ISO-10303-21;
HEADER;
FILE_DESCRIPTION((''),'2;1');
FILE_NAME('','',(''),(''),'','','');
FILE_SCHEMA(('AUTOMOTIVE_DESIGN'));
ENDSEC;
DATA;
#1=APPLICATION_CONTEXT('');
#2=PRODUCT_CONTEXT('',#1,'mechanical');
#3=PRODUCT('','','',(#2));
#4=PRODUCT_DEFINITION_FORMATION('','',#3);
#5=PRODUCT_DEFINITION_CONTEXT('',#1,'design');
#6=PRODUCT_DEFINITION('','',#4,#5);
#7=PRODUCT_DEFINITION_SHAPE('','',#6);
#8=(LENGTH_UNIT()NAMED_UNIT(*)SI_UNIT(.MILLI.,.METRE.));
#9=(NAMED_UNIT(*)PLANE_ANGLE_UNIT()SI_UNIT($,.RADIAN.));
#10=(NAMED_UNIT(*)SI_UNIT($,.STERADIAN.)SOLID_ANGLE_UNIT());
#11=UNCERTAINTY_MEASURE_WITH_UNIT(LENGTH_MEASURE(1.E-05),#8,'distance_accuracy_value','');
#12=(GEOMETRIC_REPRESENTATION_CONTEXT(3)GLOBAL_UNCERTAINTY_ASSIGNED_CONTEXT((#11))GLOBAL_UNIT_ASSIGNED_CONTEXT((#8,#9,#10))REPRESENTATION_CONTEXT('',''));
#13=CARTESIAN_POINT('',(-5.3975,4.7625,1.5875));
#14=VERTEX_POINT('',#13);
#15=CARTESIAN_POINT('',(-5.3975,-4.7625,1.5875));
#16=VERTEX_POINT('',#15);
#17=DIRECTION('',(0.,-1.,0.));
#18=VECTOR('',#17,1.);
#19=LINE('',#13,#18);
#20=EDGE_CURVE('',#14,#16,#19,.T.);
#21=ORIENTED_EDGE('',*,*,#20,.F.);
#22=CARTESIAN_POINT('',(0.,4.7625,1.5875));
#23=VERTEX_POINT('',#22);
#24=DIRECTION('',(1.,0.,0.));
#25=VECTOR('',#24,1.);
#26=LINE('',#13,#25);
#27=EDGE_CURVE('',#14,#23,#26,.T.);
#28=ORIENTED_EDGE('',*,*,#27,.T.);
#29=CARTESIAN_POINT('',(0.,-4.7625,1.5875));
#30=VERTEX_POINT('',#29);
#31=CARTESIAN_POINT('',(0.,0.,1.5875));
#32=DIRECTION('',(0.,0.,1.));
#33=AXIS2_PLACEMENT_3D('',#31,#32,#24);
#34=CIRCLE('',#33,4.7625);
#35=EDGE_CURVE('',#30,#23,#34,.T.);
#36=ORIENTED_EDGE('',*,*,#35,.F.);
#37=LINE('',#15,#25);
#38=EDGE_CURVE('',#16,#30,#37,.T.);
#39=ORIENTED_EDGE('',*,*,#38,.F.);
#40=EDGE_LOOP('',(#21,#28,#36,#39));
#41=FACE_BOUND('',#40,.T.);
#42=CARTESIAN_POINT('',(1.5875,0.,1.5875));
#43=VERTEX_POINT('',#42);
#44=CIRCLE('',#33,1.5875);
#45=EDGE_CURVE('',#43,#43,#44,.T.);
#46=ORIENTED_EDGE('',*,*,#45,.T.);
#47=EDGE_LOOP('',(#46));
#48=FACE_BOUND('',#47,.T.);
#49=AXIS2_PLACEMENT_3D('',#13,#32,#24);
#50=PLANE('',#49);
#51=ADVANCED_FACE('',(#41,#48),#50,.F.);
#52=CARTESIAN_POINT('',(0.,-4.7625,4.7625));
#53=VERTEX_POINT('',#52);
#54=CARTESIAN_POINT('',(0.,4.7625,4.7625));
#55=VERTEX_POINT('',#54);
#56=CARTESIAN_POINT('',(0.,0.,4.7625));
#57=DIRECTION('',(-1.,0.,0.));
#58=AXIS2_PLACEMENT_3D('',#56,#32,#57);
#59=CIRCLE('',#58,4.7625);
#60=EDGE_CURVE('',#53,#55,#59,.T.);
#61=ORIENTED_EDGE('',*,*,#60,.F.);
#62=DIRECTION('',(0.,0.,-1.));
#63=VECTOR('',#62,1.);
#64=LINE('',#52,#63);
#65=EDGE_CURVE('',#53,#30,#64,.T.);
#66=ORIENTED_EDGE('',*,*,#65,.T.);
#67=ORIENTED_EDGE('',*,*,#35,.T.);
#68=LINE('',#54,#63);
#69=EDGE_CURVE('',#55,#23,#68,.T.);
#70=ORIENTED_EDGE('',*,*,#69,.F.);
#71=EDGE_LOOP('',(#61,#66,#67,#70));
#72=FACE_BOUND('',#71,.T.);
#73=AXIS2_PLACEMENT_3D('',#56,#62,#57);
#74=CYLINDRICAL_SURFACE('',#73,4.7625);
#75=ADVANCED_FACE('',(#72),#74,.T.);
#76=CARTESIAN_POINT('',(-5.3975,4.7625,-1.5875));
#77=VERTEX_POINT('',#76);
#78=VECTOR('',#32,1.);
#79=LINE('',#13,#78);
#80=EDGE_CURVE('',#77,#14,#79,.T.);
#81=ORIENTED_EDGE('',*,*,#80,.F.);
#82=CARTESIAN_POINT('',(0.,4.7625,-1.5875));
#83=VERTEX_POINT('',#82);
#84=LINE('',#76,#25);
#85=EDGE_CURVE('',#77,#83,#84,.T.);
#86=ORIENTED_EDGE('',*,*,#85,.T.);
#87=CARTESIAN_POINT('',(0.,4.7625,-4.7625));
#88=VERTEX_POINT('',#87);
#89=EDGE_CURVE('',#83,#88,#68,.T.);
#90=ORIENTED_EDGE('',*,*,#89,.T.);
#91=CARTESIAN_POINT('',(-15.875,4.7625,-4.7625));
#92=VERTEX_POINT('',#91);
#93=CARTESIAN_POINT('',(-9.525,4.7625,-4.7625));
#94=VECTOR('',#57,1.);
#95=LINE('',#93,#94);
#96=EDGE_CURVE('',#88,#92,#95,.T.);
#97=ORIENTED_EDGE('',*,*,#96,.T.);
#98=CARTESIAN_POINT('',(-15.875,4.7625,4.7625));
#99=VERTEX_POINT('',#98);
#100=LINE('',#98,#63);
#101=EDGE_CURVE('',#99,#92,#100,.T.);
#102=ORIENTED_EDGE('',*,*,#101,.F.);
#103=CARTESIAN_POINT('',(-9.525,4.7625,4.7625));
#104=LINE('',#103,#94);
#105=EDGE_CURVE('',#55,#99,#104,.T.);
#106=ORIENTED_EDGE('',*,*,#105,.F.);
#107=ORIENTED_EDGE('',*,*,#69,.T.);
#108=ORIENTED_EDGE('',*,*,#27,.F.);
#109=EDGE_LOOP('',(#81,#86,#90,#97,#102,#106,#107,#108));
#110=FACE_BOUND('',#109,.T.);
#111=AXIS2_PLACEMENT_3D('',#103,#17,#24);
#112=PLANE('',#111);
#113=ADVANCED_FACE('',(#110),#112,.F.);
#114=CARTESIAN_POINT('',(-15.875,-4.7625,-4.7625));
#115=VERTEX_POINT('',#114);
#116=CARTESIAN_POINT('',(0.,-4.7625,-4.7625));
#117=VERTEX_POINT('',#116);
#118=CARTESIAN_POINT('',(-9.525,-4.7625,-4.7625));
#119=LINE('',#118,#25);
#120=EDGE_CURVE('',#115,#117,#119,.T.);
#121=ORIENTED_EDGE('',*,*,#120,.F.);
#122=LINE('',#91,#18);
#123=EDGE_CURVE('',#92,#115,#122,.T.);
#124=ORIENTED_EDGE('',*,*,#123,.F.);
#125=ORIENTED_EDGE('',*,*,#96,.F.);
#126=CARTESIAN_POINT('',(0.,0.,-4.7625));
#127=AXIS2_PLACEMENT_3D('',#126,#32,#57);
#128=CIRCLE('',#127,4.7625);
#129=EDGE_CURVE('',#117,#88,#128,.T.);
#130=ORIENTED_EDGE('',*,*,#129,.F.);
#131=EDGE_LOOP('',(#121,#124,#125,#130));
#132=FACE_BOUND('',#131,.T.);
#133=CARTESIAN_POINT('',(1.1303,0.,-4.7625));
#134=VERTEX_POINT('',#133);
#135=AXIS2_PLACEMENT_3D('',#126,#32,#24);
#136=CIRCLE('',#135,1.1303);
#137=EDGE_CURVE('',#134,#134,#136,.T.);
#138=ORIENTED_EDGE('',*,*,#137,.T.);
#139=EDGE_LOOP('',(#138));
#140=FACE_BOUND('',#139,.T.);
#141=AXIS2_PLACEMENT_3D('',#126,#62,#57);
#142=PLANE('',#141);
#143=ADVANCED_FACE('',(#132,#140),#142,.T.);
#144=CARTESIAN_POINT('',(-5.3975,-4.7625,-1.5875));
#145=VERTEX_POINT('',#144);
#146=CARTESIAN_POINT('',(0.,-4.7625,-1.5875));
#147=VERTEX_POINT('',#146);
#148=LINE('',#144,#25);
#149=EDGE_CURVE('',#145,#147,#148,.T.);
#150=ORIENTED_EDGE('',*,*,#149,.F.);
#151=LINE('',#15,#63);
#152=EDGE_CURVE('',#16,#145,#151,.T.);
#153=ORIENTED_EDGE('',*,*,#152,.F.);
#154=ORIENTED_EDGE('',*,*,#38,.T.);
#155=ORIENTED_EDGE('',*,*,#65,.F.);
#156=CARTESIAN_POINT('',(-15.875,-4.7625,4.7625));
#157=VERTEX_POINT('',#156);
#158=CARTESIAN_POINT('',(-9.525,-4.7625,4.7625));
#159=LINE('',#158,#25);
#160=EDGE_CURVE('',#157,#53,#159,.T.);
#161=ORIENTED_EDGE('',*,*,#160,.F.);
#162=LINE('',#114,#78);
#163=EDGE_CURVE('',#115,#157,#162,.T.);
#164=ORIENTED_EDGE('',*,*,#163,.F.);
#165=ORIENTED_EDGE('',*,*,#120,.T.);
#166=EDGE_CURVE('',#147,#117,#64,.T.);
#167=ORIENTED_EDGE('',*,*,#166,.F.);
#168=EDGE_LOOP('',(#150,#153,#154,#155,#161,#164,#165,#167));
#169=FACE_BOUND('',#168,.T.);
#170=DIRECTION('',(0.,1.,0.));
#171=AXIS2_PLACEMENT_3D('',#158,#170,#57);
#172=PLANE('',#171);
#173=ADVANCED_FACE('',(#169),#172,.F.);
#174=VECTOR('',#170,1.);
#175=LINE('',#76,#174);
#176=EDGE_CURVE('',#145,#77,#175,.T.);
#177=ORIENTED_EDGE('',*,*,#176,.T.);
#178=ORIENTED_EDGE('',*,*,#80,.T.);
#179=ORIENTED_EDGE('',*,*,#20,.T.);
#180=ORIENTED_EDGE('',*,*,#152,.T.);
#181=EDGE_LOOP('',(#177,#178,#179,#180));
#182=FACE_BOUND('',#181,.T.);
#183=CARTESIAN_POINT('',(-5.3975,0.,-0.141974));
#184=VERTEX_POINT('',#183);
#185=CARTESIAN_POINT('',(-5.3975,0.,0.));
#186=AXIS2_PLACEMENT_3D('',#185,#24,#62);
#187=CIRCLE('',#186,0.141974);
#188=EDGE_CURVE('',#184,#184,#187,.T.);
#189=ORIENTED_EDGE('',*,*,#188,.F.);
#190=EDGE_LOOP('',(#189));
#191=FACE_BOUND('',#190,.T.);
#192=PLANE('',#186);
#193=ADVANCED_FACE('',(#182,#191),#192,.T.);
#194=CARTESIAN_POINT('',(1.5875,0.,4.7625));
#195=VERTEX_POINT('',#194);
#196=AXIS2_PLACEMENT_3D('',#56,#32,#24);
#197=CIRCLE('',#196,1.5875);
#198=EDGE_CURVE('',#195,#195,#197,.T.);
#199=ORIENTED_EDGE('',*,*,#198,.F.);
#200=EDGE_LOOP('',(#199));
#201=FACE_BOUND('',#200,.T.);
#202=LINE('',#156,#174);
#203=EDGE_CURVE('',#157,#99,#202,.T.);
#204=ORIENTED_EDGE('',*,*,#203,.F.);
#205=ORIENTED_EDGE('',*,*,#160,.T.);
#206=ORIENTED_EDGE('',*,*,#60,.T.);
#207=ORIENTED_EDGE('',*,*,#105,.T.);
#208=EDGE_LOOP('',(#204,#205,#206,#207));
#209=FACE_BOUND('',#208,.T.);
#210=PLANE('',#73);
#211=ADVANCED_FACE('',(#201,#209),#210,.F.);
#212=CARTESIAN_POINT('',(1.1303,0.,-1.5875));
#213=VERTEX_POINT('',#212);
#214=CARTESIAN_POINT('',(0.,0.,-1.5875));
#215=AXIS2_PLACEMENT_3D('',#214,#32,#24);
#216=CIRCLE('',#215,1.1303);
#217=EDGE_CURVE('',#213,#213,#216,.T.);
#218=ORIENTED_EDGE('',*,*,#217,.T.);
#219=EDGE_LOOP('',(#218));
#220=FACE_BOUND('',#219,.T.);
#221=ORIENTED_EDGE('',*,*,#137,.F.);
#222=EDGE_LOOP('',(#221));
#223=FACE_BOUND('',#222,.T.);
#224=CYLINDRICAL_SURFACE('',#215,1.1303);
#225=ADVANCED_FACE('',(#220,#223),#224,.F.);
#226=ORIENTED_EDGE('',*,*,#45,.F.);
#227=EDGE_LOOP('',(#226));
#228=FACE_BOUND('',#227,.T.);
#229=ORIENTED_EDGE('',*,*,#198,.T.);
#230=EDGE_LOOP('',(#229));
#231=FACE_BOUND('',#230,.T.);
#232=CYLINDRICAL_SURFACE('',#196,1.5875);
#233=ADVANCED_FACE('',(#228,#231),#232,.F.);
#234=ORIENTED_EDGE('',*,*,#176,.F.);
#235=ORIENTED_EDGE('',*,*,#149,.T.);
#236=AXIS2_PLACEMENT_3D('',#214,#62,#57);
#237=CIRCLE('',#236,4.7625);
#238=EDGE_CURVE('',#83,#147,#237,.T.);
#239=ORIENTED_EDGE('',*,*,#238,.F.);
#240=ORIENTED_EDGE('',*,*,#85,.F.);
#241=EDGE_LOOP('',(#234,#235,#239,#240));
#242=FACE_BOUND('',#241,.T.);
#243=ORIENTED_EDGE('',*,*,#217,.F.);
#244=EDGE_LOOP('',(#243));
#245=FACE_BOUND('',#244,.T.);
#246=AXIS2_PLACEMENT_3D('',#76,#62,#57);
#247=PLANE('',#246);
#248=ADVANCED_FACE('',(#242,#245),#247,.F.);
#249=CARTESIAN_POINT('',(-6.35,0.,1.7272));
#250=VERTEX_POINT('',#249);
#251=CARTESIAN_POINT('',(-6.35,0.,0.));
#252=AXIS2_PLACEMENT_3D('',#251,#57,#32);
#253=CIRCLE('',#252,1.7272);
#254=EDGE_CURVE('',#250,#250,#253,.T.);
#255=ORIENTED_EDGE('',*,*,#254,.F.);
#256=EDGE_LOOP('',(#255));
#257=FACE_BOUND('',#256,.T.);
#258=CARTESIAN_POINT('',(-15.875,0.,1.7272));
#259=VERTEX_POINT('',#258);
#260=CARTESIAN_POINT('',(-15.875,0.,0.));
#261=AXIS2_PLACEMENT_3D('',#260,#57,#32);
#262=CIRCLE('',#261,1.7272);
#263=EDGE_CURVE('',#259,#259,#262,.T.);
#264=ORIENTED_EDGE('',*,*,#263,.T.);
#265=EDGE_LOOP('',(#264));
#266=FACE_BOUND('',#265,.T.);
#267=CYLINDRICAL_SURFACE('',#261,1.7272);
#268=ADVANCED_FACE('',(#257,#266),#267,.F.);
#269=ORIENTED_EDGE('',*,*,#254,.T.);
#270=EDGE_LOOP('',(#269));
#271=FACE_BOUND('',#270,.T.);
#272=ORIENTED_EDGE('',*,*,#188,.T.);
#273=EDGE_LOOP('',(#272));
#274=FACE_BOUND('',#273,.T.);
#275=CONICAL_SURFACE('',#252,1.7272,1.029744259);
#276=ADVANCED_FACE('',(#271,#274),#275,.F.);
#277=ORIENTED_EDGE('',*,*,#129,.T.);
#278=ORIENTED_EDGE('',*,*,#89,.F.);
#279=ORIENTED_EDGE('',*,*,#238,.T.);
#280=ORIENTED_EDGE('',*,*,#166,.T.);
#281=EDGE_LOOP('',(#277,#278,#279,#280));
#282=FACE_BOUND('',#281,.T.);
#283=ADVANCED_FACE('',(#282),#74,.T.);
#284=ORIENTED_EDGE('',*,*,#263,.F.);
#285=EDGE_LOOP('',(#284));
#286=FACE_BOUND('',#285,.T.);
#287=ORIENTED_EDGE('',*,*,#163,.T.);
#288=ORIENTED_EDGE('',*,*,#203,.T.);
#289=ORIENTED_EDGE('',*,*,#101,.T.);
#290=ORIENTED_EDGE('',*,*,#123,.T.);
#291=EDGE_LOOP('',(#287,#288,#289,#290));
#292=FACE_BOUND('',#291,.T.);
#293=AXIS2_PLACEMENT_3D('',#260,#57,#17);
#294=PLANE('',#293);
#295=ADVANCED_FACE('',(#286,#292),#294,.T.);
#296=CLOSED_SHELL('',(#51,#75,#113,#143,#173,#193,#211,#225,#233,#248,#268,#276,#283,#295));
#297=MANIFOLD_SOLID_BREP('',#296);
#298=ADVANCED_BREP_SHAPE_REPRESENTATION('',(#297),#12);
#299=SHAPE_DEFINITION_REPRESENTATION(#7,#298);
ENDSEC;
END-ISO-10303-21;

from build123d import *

# Parameters (mm, degrees)
BOSS_EXTRUDE2_DEPTH              = 4.7625
SKETCH3_W                        = 3.175
SKETCH3_H                        = 9.525
CUT_EXTRUDE1_DEPTH               = 10.16
SKETCH4_W                        = 9.525
SKETCH4_H                        = 9.525
BOSS_EXTRUDE3_DEPTH              = 6.35
F_8_32_TAPPED_HOLE1_D            = 3.4544
F_8_32_TAPPED_HOLE1_DEPTH        = 9.525
F_8_32_TAPPED_HOLE1_TIP          = 1.037806461
F_1_8_0_125_DIAMETER_HOLE1_D     = 3.175
F_1_8_0_125_DIAMETER_HOLE1_DEPTH = 3.175
F_4_40_TAPPED_HOLE1_D            = 2.2606


with BuildPart() as part:
    # Sketch2 → Boss-Extrude2 (new body, symmetric)
    with BuildSketch(Plane.XY):
        with BuildLine():
            Line((-9.525, 4.7625), (0, 4.7625))
            ThreePointArc((0, 4.7625), (4.7625, 0), (0, -4.7625))
            Line((0, -4.7625), (-9.525, -4.7625))
            Line((-9.525, -4.7625), (-9.525, 4.7625))
        make_face()
    extrude(amount=BOSS_EXTRUDE2_DEPTH, both=True)

    # Sketch3 → Cut-Extrude1 (cut)
    with BuildSketch(Plane(origin=(4.7625, 0, 0), x_dir=(0, 0, -1), z_dir=(1, 0, 0))):
        Rectangle(SKETCH3_W, SKETCH3_H)
    extrude(amount=-CUT_EXTRUDE1_DEPTH, mode=Mode.SUBTRACT)

    # Sketch4 → Boss-Extrude3 (add)
    with BuildSketch(Plane.ZY.offset(9.525)):
        Rectangle(SKETCH4_W, SKETCH4_H)
    extrude(amount=BOSS_EXTRUDE3_DEPTH)

    # #8-32 Tapped Hole1
    with Locations(Plane.ZY.offset(15.875)):
        with Locations((0, 0)):
            Hole(F_8_32_TAPPED_HOLE1_D / 2, depth=F_8_32_TAPPED_HOLE1_DEPTH)
            with Locations((0, 0, -(F_8_32_TAPPED_HOLE1_DEPTH + F_8_32_TAPPED_HOLE1_TIP / 2))):  # 118° drill point
                Cone(0, F_8_32_TAPPED_HOLE1_D / 2, F_8_32_TAPPED_HOLE1_TIP, mode=Mode.SUBTRACT)

    # 1/8 (0.125) Diameter Hole1
    with Locations(Plane.XY.offset(4.7625)):
        with Locations((0, 0)):
            Hole(F_1_8_0_125_DIAMETER_HOLE1_D / 2, depth=F_1_8_0_125_DIAMETER_HOLE1_DEPTH)

    # #4-40 Tapped Hole1 (through all)
    with Locations(Plane.XY.offset(-1.5875)):
        with Locations((0, 0)):
            Hole(F_4_40_TAPPED_HOLE1_D / 2)


solid = part.part
